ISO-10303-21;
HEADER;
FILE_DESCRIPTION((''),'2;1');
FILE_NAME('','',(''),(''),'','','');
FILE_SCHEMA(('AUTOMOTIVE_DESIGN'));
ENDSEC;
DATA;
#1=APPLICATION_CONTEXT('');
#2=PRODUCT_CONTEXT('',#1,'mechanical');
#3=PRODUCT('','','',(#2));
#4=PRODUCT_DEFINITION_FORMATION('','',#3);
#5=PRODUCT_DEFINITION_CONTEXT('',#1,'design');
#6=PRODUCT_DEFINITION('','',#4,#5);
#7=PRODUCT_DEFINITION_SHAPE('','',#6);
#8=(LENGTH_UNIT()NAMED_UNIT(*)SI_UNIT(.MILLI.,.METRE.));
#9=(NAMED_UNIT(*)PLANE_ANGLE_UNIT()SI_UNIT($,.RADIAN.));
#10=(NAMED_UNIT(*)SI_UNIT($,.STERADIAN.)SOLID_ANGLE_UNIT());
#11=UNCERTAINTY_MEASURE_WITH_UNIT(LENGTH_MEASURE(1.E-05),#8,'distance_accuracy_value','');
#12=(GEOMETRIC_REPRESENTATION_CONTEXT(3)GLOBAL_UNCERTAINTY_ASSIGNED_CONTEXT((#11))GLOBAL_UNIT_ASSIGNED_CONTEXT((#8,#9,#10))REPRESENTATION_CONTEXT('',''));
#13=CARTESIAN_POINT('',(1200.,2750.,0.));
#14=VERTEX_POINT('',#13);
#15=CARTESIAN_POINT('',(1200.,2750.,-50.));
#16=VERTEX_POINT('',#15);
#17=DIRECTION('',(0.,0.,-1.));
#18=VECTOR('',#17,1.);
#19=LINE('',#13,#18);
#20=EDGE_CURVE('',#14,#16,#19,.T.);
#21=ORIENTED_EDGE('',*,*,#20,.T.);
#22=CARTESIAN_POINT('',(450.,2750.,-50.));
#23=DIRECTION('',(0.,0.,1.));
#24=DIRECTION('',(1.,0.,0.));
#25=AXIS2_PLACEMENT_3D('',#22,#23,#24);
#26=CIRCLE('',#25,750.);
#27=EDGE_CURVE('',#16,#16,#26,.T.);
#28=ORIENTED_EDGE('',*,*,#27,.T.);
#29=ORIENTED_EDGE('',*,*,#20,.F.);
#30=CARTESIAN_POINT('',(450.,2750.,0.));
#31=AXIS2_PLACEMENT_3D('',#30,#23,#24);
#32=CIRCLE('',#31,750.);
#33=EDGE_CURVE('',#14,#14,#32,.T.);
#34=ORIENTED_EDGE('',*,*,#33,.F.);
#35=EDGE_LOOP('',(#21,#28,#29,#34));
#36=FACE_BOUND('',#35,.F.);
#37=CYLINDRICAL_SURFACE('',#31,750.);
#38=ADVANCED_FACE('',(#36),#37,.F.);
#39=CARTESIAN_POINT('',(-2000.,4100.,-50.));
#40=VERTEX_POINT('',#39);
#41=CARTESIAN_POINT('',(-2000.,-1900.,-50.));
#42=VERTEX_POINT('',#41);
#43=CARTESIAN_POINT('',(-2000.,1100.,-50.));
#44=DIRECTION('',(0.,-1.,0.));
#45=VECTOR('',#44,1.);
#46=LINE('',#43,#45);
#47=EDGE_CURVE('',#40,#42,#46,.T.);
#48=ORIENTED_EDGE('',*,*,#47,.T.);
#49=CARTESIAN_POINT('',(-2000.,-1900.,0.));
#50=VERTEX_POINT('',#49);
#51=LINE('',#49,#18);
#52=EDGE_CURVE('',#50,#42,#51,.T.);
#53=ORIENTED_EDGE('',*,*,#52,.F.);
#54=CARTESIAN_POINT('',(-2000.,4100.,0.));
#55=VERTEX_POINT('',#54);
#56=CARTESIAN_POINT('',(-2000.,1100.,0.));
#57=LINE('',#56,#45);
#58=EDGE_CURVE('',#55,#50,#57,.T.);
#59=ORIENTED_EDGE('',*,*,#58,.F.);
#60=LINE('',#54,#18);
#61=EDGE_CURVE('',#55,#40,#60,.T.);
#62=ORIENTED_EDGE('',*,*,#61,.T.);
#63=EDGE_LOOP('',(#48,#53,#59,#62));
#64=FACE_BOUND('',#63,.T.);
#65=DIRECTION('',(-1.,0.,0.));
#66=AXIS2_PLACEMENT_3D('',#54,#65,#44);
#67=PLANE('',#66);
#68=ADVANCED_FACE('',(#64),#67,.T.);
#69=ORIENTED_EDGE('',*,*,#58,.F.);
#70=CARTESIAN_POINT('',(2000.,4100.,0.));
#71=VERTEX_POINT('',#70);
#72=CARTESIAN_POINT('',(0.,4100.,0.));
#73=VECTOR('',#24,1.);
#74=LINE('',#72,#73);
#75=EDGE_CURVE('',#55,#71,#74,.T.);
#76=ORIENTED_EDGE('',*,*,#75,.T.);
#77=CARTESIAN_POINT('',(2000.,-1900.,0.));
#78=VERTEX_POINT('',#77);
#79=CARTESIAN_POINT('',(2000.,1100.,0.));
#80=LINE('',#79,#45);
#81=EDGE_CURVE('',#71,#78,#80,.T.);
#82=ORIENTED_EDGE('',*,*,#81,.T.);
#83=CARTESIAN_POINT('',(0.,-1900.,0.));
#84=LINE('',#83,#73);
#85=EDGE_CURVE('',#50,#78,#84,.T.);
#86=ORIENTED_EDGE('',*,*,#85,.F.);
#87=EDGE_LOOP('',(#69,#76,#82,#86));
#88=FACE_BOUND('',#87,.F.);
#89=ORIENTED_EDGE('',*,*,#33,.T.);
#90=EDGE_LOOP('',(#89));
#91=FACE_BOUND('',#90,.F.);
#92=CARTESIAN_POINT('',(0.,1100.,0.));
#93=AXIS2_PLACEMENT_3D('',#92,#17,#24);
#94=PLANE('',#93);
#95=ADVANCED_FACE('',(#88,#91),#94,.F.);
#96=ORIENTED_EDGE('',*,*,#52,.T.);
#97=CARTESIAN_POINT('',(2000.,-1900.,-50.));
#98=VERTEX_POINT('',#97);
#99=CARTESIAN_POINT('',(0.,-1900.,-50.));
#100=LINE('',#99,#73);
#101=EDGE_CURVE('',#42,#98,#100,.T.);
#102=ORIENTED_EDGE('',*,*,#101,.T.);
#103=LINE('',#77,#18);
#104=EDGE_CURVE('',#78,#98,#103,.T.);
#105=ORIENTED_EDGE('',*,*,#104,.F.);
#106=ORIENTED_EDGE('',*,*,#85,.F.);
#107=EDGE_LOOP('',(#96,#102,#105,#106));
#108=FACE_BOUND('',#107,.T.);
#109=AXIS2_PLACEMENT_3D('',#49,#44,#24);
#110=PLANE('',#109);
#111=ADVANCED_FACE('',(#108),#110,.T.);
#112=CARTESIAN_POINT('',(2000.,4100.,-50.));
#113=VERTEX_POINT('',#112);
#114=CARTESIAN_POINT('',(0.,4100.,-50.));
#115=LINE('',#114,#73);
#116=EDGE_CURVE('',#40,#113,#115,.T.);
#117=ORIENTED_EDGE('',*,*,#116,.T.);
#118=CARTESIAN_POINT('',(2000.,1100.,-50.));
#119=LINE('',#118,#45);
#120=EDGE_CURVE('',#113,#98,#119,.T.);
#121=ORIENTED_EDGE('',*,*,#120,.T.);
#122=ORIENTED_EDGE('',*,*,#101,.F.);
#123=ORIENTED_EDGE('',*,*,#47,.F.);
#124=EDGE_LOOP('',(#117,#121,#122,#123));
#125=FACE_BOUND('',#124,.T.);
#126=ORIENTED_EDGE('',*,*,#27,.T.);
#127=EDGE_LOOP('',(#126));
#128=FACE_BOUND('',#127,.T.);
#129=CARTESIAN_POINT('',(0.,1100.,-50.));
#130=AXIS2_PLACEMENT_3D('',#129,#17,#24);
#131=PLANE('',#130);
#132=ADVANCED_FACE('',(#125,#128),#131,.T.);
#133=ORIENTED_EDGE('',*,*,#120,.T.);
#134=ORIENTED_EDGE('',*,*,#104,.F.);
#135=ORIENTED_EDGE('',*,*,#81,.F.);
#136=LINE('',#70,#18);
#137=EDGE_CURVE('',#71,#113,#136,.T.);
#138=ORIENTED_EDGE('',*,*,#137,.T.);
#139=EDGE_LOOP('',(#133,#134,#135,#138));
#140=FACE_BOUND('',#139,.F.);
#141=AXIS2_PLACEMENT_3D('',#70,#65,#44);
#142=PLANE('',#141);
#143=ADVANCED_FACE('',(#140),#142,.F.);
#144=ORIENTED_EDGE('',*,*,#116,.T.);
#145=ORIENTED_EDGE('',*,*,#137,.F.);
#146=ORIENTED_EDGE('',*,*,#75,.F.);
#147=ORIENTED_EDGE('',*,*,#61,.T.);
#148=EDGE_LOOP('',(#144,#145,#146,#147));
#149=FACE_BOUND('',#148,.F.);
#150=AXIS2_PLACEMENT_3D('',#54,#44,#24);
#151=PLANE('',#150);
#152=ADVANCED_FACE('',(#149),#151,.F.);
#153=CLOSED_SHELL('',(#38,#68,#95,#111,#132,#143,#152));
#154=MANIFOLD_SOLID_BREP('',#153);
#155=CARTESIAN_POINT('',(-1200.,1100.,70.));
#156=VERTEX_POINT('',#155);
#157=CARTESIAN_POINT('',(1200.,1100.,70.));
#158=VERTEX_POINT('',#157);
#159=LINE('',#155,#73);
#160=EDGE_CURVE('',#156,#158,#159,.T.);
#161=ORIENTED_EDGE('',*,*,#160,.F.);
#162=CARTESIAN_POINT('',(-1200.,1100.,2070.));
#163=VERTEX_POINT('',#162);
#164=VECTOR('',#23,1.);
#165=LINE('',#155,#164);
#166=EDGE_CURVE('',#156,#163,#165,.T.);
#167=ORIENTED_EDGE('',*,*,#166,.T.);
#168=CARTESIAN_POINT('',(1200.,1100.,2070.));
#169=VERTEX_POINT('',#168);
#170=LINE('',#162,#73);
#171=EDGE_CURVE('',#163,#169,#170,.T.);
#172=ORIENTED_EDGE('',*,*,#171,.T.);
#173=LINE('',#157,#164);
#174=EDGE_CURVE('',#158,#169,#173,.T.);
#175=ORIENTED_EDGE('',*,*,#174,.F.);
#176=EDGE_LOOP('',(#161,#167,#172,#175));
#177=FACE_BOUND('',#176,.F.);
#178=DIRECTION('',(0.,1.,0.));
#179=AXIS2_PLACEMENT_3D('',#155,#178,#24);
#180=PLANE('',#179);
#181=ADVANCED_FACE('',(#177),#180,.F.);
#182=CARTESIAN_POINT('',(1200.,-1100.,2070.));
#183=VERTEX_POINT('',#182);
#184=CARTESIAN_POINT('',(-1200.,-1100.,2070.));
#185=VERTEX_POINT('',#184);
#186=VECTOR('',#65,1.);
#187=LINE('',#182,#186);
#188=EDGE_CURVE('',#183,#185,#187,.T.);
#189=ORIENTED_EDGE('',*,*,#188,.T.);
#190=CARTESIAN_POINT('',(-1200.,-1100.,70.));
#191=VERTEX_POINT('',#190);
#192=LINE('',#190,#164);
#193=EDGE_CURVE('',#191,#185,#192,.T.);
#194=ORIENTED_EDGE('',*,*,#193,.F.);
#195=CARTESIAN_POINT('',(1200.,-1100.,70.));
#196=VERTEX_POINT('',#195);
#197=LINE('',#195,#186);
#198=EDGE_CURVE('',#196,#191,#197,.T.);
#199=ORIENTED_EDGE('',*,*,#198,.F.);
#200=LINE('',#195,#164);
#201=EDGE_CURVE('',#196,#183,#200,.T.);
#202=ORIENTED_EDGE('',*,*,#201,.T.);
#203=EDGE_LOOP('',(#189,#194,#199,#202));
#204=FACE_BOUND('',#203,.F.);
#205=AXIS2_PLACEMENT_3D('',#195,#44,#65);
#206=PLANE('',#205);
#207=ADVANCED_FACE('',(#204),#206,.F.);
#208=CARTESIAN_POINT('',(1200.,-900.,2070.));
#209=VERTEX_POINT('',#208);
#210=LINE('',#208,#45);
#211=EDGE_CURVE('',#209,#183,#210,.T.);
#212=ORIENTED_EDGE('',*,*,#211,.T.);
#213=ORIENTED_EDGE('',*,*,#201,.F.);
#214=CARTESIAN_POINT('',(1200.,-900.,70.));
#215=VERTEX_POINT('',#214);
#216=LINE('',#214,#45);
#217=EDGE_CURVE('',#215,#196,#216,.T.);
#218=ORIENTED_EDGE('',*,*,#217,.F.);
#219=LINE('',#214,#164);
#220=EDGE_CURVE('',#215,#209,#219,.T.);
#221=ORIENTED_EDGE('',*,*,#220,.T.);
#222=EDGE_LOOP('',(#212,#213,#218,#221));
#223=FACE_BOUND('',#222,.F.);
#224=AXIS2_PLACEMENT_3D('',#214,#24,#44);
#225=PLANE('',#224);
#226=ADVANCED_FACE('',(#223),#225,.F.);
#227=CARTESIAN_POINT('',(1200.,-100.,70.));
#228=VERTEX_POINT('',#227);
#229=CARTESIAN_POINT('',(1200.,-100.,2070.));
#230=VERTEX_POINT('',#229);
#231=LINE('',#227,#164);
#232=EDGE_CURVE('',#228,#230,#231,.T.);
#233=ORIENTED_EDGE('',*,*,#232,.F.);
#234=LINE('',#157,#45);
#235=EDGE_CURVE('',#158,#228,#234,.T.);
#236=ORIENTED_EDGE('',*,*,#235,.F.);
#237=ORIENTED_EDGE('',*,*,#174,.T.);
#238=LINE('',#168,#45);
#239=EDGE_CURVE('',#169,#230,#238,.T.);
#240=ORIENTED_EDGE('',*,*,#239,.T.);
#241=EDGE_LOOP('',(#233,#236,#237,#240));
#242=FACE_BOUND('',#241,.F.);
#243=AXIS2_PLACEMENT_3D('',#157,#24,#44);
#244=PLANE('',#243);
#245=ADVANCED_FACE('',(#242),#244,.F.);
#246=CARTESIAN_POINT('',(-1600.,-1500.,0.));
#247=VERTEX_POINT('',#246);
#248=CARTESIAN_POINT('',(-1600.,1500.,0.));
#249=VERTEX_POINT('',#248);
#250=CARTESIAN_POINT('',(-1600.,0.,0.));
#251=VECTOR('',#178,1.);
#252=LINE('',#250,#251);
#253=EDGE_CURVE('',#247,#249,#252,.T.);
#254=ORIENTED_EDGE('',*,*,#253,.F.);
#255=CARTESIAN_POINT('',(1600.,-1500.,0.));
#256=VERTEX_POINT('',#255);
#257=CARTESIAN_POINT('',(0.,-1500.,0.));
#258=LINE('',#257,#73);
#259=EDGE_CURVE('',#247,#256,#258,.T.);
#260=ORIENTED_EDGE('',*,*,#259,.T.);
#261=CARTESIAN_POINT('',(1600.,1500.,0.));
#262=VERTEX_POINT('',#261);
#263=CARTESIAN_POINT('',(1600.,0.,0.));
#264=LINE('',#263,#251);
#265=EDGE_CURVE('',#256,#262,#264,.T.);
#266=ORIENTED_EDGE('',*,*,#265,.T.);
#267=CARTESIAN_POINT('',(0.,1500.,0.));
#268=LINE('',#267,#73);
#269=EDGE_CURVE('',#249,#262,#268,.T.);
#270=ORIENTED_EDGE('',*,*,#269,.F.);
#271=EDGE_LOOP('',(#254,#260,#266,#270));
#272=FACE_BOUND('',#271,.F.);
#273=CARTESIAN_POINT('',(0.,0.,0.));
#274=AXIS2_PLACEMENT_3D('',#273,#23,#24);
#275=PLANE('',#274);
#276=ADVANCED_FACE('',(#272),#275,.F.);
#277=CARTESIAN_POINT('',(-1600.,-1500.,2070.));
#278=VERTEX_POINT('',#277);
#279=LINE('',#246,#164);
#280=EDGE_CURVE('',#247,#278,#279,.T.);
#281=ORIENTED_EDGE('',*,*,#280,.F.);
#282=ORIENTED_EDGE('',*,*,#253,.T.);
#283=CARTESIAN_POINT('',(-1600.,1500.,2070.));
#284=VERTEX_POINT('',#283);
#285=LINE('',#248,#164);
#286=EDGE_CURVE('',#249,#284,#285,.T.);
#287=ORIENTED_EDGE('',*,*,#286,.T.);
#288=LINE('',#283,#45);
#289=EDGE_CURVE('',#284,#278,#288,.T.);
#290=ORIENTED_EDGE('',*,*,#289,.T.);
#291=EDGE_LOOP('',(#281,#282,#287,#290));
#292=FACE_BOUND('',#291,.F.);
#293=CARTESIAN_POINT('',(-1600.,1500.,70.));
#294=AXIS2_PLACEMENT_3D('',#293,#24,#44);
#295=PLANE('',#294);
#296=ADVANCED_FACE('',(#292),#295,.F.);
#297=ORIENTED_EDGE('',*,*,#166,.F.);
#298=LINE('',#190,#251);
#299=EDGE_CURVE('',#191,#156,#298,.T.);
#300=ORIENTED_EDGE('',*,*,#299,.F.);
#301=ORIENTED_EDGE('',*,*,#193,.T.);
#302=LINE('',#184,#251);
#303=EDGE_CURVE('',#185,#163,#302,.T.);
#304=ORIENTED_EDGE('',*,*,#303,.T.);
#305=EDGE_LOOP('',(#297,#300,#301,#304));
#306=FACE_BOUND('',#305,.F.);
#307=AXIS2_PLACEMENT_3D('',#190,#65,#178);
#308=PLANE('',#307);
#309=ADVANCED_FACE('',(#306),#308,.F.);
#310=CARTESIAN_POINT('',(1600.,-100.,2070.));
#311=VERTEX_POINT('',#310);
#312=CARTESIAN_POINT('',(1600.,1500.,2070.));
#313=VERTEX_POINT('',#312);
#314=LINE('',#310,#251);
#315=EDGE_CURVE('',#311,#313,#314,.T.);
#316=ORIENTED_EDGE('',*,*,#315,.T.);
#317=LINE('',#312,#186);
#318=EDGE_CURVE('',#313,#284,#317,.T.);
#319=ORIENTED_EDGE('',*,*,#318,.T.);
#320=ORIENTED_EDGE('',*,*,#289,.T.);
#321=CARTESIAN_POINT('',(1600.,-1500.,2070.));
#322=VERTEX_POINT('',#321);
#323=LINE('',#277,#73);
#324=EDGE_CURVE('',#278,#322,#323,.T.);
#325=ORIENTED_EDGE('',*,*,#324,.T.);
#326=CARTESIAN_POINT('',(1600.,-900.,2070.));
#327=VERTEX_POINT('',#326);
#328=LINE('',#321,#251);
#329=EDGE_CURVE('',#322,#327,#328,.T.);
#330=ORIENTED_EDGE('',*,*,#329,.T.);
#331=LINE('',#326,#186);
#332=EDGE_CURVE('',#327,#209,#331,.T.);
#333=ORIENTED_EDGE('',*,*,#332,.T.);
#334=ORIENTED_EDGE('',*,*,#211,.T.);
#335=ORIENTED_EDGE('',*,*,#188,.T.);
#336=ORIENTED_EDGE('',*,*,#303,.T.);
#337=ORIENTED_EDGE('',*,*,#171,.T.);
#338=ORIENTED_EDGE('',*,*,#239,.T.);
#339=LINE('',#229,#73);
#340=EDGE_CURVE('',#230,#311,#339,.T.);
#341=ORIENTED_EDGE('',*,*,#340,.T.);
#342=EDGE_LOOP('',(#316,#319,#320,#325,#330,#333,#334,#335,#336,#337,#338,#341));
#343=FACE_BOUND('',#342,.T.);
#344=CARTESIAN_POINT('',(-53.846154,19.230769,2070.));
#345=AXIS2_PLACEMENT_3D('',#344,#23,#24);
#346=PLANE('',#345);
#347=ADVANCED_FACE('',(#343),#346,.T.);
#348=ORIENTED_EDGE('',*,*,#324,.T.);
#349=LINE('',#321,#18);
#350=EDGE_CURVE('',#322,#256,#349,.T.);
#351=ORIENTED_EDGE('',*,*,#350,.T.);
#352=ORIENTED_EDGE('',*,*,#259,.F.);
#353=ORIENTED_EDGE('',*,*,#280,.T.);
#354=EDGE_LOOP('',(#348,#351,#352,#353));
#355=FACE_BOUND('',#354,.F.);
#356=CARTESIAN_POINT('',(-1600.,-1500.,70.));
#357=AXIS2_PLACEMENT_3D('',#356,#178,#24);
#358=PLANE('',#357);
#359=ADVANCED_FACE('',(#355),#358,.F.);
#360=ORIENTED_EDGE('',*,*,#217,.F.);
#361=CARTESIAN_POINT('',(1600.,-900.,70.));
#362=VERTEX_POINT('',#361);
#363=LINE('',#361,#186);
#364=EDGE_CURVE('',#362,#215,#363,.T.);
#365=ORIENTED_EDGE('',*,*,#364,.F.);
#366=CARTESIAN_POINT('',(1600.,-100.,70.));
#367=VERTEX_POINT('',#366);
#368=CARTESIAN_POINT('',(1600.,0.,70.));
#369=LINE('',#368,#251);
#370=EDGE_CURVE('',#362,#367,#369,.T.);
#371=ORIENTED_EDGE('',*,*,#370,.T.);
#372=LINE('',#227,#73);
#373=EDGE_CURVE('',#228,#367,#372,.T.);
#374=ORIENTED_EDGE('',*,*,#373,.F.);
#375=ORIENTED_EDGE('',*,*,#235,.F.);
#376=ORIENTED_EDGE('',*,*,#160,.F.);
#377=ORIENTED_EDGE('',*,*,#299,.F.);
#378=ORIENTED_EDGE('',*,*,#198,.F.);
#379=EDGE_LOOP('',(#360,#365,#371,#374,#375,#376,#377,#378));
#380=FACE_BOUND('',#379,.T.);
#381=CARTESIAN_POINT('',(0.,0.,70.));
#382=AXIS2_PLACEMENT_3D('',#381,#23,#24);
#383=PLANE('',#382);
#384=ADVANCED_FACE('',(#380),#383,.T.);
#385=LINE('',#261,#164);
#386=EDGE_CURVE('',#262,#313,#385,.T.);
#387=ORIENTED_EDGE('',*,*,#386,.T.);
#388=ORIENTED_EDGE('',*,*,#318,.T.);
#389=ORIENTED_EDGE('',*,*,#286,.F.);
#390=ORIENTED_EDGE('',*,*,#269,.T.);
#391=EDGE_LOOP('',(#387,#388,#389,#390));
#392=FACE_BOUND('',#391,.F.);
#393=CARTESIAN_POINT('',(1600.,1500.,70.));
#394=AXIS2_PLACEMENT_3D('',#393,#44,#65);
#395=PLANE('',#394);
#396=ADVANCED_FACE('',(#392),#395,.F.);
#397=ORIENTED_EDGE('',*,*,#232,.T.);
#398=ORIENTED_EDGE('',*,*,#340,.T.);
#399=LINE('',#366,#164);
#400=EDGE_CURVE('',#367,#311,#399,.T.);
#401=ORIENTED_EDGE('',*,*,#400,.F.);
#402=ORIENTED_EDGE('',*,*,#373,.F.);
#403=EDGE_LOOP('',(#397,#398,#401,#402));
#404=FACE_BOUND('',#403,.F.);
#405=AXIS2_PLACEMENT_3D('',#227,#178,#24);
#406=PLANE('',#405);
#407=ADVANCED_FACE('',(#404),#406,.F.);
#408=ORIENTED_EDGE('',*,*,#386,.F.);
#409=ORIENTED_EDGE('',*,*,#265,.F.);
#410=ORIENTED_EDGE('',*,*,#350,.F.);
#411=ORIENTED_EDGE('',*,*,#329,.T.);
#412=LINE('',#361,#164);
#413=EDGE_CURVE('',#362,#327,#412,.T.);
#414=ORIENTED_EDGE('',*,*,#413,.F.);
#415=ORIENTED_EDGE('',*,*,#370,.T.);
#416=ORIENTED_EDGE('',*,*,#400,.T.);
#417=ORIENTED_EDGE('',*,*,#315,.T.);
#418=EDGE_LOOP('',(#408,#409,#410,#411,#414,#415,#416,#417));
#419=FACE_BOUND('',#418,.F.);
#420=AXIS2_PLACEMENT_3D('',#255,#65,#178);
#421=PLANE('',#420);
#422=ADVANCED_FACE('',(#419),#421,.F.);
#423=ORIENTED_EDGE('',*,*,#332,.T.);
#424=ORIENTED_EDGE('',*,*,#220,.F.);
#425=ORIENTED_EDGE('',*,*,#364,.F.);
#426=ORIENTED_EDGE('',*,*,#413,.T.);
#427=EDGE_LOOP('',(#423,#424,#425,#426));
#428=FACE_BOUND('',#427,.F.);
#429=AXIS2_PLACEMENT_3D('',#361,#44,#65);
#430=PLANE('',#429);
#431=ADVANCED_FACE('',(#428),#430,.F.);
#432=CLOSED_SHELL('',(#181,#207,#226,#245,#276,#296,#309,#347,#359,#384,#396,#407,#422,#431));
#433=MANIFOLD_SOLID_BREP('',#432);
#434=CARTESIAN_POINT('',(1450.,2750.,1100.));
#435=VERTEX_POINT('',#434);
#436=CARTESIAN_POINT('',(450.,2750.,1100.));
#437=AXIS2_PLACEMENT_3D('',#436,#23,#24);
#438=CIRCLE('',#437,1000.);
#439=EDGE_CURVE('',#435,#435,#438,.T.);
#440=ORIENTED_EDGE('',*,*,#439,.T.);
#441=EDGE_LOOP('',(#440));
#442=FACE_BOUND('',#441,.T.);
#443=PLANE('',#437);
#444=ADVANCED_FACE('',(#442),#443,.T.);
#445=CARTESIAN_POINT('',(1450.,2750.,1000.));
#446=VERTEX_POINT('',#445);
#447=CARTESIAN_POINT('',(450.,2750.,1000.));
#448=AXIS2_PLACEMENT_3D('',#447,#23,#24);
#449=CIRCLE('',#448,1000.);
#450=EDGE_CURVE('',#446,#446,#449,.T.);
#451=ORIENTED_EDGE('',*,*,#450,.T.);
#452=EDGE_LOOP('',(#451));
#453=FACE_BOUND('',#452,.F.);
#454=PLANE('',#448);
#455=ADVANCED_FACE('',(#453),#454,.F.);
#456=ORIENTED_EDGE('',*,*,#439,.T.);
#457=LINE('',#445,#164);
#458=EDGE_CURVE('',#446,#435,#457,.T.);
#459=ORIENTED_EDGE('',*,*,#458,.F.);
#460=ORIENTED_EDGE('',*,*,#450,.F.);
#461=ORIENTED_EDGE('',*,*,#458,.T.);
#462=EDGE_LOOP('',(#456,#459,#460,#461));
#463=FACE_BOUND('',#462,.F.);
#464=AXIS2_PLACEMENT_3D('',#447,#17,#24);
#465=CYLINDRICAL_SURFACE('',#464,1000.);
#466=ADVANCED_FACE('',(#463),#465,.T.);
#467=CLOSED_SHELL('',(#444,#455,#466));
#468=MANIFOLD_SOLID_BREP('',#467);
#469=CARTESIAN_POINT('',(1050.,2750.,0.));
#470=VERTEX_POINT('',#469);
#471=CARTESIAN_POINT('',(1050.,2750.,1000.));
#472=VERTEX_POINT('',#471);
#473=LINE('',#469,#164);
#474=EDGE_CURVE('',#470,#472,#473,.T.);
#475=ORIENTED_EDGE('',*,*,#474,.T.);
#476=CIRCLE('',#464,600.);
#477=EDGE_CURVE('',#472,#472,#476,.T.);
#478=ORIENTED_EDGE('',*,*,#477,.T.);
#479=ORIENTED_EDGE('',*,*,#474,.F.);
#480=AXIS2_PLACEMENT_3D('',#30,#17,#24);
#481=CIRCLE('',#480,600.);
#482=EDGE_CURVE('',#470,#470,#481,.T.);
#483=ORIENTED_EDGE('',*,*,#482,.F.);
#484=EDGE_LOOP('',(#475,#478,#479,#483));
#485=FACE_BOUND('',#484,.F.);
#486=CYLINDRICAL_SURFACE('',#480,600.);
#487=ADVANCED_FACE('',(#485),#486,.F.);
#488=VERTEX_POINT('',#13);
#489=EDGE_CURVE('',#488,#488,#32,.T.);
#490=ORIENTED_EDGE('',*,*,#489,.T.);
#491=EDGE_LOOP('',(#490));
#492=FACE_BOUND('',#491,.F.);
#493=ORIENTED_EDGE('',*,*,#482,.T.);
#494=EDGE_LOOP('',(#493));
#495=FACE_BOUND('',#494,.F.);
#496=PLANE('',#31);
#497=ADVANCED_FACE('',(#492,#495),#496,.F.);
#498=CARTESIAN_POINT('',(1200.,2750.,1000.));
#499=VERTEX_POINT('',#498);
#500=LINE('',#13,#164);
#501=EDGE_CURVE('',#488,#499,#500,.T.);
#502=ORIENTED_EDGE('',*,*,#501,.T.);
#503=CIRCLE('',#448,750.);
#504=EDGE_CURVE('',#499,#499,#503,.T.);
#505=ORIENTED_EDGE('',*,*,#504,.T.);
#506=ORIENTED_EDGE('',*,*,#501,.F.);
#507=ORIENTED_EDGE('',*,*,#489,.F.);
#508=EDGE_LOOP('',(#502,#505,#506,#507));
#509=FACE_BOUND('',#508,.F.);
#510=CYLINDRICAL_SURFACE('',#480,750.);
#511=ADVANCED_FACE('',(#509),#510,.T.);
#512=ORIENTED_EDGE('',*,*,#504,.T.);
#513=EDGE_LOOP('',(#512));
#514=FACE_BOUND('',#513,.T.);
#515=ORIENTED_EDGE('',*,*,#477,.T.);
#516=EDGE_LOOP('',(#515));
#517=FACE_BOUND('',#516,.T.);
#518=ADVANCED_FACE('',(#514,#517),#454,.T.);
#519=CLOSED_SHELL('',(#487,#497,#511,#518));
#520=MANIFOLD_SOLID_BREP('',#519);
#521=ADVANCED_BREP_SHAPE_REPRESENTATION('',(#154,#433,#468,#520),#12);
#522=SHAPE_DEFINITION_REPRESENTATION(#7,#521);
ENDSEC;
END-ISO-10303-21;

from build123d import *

# Parameters (mm, degrees)
F0_W      = 3200
F0_H      = 3000
F1_DEPTH  = 70
F3_DEPTH  = 2000
F4_W      = 4000
F4_H      = 6000
F5_DEPTH  = 50
F6_R      = 750
F7_DEPTH  = 500
F8_DEPTH  = 1000
F9_R      = 1000
F10_DEPTH = 100
F11_R     = 600
F12_DEPTH = 2070.001


with BuildPart() as f1:
    # F0 (on Top) → F1 (new body)
    with BuildSketch(Plane.XY):
        Rectangle(F0_W, F0_H)
    extrude(amount=F1_DEPTH)

    # F2 (on face) → F3 (join)
    with BuildSketch(Plane.XY.offset(70)):
        Polygon((1200, -1100), (-1200, -1100), (-1200, 1100), (1200, 1100), (1200, -100), (1600, -100), (1600, 1500), (-1600, 1500), (-1600, -1500), (1600, -1500), (1600, -900), (1200, -900), align=None)
    extrude(amount=F3_DEPTH)


with BuildPart() as f5:
    # F4 (on face) → F5 (new body)
    with BuildSketch(Plane(origin=(0, 0, 0), x_dir=(1, 0, 0), z_dir=(0, 0, -1))):
        with Locations((0, -1100)):
            Rectangle(F4_W, F4_H)
    extrude(amount=F5_DEPTH)

    # F6 (on face) → F7 (cut)
    with BuildSketch(Plane.XY):
        with Locations((450, 2750)):
            Circle(F6_R)
    extrude(amount=-F7_DEPTH, mode=Mode.SUBTRACT)


with BuildPart() as f8:
    # F6 (on face) → F8 (new body)
    with BuildSketch(Plane.XY):
        with Locations((450, 2750)):
            Circle(F6_R)
    extrude(amount=F8_DEPTH)

    # F11 (on face) → F12 (cut, through all)
    with BuildSketch(Plane(origin=(0, 0, 0), x_dir=(1, 0, 0), z_dir=(0, 0, -1))):
        with Locations((450, -2750)):
            Circle(F11_R)
    extrude(amount=-F12_DEPTH, mode=Mode.SUBTRACT)


with BuildPart() as f10:
    # F9 (on face) → F10 (new body)
    with BuildSketch(Plane.XY.offset(1000)):
        with Locations((450, 2750)):
            Circle(F9_R)
    extrude(amount=F10_DEPTH)


solid = Compound([f1.part, f5.part, f8.part, f10.part])
